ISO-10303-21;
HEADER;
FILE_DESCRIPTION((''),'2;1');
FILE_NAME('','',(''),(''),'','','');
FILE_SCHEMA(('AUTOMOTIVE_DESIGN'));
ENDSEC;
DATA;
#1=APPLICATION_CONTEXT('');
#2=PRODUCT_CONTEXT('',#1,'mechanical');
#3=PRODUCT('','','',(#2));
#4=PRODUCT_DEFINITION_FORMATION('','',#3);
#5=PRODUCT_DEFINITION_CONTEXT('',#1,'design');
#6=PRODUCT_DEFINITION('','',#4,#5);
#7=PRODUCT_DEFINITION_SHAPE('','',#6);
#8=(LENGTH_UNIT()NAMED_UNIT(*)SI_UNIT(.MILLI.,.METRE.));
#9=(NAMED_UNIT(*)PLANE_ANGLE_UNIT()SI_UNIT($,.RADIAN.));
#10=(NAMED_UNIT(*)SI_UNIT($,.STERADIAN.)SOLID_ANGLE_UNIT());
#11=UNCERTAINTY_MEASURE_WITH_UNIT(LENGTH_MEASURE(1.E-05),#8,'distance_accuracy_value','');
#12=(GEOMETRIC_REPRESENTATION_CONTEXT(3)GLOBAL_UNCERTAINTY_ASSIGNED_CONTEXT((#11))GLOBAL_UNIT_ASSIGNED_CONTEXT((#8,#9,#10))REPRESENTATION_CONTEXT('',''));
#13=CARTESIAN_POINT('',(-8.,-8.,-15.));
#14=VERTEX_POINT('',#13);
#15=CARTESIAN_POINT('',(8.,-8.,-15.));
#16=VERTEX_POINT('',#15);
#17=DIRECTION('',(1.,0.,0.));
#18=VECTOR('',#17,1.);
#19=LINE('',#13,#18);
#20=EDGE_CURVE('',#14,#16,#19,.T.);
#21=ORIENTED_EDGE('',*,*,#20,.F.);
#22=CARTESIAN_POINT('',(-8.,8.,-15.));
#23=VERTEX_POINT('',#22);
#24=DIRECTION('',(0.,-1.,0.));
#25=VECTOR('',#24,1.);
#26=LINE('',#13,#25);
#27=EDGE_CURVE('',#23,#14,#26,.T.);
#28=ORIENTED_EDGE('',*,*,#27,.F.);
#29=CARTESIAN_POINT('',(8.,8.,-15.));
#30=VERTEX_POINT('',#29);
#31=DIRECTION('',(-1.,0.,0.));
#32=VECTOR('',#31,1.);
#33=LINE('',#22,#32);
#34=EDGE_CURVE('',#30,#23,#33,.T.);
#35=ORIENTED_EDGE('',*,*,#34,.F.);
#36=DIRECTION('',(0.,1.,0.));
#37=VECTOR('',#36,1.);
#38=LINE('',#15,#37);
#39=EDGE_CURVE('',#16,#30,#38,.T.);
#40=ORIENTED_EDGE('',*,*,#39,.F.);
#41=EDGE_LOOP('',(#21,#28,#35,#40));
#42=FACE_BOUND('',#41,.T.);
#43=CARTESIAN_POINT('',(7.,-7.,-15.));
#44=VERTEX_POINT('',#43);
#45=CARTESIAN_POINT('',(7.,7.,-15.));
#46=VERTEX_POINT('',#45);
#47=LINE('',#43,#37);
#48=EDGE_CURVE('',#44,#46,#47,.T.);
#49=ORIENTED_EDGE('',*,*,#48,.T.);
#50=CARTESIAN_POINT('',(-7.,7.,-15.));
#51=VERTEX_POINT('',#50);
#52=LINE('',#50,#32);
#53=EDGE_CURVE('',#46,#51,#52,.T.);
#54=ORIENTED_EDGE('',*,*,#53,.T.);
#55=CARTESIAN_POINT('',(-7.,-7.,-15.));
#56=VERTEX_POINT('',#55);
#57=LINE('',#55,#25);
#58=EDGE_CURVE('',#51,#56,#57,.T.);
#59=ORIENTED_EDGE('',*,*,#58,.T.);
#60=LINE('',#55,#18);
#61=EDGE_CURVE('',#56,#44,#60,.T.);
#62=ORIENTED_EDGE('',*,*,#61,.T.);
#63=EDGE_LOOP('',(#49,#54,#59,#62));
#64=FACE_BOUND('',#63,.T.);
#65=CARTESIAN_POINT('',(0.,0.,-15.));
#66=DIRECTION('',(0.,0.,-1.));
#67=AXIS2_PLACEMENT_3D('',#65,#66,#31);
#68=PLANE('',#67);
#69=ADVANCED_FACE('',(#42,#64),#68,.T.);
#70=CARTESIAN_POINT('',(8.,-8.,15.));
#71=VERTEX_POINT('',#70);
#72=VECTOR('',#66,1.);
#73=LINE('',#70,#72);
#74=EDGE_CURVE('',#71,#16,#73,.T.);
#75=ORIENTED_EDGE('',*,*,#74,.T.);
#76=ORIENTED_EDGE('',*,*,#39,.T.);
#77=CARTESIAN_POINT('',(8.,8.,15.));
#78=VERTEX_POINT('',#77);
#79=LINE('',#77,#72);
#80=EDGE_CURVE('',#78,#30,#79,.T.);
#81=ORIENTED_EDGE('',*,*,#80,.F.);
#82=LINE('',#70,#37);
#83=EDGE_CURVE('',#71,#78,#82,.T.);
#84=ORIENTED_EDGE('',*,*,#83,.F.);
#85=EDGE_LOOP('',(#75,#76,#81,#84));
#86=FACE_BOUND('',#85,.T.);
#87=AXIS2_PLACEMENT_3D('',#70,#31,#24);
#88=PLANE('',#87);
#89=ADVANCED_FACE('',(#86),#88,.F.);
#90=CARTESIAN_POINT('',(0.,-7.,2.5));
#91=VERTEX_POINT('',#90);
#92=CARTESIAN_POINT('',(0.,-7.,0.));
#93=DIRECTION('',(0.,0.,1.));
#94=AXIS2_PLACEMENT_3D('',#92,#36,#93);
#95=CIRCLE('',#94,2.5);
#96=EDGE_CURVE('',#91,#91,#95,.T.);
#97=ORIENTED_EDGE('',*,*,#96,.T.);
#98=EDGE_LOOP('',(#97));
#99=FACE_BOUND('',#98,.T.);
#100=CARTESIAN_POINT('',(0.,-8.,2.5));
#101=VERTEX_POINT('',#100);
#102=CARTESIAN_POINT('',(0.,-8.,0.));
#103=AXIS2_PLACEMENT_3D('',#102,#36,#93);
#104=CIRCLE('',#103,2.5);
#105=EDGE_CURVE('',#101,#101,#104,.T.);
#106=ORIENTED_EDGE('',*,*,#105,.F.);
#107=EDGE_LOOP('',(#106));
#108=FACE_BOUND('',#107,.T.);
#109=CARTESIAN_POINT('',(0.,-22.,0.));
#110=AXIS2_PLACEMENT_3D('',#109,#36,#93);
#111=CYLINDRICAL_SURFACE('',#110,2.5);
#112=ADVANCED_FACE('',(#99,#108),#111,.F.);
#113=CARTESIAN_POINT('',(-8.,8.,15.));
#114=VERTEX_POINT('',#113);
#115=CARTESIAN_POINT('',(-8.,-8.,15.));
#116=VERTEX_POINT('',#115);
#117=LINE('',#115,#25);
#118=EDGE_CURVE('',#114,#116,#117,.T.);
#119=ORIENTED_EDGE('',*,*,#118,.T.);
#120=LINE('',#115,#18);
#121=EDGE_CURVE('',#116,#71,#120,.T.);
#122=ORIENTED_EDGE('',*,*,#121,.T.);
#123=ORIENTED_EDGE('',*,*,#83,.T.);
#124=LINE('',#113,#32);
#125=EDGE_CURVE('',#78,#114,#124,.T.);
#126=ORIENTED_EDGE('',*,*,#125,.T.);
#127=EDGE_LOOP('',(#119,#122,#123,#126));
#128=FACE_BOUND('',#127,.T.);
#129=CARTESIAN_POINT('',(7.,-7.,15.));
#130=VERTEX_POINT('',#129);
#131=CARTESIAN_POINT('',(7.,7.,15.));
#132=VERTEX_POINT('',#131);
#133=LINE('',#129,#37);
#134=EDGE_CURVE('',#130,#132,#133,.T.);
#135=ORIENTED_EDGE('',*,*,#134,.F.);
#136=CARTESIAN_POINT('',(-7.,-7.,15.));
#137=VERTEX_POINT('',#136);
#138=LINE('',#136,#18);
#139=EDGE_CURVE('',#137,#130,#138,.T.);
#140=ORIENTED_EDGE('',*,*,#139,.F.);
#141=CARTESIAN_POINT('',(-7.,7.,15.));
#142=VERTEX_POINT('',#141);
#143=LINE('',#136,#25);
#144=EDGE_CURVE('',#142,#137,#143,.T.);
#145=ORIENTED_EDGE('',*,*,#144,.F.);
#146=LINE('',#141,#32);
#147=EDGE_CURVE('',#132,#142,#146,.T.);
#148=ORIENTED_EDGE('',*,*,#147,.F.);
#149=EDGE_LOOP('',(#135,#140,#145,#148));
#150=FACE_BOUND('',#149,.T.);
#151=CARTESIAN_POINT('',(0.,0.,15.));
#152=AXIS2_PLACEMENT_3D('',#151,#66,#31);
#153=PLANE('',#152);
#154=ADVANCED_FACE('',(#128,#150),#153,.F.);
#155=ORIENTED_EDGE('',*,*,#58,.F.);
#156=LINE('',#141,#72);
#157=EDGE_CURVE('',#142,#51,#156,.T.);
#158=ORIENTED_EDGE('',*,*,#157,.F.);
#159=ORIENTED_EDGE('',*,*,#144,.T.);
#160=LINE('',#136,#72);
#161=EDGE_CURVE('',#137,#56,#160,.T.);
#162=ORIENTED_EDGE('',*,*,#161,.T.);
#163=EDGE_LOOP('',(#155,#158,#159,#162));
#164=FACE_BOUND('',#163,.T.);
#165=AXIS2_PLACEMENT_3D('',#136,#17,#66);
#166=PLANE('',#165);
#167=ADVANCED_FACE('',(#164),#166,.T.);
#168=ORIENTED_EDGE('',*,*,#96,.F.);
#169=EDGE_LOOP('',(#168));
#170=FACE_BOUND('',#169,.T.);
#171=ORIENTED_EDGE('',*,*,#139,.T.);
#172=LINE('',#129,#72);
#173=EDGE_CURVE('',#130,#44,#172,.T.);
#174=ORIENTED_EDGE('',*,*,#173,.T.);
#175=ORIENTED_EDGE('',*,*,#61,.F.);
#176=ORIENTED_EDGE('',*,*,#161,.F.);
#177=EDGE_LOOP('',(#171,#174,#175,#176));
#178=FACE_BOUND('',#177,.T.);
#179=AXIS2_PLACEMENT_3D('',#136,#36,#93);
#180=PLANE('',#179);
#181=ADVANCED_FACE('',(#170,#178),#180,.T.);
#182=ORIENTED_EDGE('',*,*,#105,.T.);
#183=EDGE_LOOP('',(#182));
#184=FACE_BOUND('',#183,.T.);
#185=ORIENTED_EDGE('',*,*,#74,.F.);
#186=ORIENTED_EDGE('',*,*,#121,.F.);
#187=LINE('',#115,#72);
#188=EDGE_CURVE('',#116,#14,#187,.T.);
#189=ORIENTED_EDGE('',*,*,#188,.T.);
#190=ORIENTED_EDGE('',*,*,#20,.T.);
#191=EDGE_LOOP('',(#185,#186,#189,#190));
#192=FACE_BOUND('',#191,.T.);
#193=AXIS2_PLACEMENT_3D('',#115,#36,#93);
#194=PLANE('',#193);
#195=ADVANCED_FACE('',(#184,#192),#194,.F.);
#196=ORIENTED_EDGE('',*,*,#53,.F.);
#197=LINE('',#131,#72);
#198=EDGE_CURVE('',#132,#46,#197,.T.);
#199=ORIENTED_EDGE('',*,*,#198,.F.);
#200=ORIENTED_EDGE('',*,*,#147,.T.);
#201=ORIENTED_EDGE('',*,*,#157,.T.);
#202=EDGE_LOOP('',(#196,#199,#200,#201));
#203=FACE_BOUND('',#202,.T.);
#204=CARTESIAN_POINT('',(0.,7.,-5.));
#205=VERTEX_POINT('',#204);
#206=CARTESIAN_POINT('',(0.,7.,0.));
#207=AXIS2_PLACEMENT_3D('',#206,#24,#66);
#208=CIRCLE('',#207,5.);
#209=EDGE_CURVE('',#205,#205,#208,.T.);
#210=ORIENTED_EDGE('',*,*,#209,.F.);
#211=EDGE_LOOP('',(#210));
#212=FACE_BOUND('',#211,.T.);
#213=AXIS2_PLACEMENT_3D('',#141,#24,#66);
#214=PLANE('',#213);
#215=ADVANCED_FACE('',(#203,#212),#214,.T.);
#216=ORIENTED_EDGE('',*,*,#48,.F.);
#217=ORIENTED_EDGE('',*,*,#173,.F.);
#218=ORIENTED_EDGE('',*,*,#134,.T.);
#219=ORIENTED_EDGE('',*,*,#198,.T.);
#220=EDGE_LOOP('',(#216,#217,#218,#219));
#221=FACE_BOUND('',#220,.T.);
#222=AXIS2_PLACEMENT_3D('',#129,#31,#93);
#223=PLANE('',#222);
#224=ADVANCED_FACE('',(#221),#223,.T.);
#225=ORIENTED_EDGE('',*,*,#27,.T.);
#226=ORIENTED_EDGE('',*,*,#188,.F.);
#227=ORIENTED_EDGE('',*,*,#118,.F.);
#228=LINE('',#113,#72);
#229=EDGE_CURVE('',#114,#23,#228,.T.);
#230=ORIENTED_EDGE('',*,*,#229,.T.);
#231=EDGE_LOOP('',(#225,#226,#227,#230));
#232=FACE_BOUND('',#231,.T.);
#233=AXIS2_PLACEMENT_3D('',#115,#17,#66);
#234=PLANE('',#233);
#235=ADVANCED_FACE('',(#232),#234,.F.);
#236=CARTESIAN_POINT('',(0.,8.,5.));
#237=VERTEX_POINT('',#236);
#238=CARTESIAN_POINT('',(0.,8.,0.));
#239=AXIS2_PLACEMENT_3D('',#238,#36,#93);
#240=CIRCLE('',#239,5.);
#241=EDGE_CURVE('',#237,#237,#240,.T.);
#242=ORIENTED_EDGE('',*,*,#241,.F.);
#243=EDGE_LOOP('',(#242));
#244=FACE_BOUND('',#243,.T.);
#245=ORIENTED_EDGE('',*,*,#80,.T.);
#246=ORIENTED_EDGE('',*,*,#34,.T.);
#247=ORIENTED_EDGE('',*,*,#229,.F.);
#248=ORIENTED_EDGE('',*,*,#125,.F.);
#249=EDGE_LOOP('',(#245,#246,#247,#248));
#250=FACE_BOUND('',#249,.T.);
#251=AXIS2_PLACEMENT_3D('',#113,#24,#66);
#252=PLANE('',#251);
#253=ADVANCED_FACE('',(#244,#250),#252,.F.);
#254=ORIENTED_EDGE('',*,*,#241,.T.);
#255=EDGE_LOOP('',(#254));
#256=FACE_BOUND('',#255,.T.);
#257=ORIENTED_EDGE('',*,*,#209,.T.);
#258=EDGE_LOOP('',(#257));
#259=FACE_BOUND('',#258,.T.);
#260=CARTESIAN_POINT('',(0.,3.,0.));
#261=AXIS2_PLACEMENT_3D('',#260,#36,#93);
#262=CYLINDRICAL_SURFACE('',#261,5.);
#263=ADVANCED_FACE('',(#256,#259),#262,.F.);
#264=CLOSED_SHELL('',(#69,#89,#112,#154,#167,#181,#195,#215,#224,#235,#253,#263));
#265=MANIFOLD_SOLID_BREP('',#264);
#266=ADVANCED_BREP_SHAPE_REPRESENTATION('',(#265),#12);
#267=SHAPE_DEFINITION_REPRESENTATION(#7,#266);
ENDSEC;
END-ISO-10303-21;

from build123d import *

# Parameters (mm, degrees)
SKIZZE1_W                       = 16
SKIZZE1_H                       = 16
SKIZZE1_W_2                     = 14
SKIZZE1_H_2                     = 14
AUFSATZ_LINEAR_AUSTRAGEN1_DEPTH = 15
SKIZZE2_R                       = 2.5
SCHNITT_LINEAR_AUSTRAGEN1_DEPTH = 30
SKIZZE3_R                       = 5
SCHNITT_LINEAR_AUSTRAGEN2_DEPTH = 5


with BuildPart() as part:
    # Skizze1 → Aufsatz-Linear austragen1 (new, symmetric)
    with BuildSketch(Plane.XY):
        Rectangle(SKIZZE1_W, SKIZZE1_H)
        Rectangle(SKIZZE1_W_2, SKIZZE1_H_2, mode=Mode.SUBTRACT)
    extrude(amount=AUFSATZ_LINEAR_AUSTRAGEN1_DEPTH, both=True)

    # Skizze2 → Schnitt-Linear austragen1 (cut)
    with BuildSketch(Plane(origin=(0, 8, 0), x_dir=(1, 0, 0), z_dir=(0, 1, 0))):
        with Locations(Location((0, 0, 0), (0, 0, 270))):
            Circle(SKIZZE2_R)
    extrude(amount=-SCHNITT_LINEAR_AUSTRAGEN1_DEPTH, mode=Mode.SUBTRACT)

    # Skizze3 → Schnitt-Linear austragen2 (cut)
    with BuildSketch(Plane(origin=(0, 8, 0), x_dir=(1, 0, 0), z_dir=(0, 1, 0))):
        with Locations(Location((0, 0, 0), (0, 0, 270))):
            Circle(SKIZZE3_R)
    extrude(amount=-SCHNITT_LINEAR_AUSTRAGEN2_DEPTH, mode=Mode.SUBTRACT)


solid = part.part
